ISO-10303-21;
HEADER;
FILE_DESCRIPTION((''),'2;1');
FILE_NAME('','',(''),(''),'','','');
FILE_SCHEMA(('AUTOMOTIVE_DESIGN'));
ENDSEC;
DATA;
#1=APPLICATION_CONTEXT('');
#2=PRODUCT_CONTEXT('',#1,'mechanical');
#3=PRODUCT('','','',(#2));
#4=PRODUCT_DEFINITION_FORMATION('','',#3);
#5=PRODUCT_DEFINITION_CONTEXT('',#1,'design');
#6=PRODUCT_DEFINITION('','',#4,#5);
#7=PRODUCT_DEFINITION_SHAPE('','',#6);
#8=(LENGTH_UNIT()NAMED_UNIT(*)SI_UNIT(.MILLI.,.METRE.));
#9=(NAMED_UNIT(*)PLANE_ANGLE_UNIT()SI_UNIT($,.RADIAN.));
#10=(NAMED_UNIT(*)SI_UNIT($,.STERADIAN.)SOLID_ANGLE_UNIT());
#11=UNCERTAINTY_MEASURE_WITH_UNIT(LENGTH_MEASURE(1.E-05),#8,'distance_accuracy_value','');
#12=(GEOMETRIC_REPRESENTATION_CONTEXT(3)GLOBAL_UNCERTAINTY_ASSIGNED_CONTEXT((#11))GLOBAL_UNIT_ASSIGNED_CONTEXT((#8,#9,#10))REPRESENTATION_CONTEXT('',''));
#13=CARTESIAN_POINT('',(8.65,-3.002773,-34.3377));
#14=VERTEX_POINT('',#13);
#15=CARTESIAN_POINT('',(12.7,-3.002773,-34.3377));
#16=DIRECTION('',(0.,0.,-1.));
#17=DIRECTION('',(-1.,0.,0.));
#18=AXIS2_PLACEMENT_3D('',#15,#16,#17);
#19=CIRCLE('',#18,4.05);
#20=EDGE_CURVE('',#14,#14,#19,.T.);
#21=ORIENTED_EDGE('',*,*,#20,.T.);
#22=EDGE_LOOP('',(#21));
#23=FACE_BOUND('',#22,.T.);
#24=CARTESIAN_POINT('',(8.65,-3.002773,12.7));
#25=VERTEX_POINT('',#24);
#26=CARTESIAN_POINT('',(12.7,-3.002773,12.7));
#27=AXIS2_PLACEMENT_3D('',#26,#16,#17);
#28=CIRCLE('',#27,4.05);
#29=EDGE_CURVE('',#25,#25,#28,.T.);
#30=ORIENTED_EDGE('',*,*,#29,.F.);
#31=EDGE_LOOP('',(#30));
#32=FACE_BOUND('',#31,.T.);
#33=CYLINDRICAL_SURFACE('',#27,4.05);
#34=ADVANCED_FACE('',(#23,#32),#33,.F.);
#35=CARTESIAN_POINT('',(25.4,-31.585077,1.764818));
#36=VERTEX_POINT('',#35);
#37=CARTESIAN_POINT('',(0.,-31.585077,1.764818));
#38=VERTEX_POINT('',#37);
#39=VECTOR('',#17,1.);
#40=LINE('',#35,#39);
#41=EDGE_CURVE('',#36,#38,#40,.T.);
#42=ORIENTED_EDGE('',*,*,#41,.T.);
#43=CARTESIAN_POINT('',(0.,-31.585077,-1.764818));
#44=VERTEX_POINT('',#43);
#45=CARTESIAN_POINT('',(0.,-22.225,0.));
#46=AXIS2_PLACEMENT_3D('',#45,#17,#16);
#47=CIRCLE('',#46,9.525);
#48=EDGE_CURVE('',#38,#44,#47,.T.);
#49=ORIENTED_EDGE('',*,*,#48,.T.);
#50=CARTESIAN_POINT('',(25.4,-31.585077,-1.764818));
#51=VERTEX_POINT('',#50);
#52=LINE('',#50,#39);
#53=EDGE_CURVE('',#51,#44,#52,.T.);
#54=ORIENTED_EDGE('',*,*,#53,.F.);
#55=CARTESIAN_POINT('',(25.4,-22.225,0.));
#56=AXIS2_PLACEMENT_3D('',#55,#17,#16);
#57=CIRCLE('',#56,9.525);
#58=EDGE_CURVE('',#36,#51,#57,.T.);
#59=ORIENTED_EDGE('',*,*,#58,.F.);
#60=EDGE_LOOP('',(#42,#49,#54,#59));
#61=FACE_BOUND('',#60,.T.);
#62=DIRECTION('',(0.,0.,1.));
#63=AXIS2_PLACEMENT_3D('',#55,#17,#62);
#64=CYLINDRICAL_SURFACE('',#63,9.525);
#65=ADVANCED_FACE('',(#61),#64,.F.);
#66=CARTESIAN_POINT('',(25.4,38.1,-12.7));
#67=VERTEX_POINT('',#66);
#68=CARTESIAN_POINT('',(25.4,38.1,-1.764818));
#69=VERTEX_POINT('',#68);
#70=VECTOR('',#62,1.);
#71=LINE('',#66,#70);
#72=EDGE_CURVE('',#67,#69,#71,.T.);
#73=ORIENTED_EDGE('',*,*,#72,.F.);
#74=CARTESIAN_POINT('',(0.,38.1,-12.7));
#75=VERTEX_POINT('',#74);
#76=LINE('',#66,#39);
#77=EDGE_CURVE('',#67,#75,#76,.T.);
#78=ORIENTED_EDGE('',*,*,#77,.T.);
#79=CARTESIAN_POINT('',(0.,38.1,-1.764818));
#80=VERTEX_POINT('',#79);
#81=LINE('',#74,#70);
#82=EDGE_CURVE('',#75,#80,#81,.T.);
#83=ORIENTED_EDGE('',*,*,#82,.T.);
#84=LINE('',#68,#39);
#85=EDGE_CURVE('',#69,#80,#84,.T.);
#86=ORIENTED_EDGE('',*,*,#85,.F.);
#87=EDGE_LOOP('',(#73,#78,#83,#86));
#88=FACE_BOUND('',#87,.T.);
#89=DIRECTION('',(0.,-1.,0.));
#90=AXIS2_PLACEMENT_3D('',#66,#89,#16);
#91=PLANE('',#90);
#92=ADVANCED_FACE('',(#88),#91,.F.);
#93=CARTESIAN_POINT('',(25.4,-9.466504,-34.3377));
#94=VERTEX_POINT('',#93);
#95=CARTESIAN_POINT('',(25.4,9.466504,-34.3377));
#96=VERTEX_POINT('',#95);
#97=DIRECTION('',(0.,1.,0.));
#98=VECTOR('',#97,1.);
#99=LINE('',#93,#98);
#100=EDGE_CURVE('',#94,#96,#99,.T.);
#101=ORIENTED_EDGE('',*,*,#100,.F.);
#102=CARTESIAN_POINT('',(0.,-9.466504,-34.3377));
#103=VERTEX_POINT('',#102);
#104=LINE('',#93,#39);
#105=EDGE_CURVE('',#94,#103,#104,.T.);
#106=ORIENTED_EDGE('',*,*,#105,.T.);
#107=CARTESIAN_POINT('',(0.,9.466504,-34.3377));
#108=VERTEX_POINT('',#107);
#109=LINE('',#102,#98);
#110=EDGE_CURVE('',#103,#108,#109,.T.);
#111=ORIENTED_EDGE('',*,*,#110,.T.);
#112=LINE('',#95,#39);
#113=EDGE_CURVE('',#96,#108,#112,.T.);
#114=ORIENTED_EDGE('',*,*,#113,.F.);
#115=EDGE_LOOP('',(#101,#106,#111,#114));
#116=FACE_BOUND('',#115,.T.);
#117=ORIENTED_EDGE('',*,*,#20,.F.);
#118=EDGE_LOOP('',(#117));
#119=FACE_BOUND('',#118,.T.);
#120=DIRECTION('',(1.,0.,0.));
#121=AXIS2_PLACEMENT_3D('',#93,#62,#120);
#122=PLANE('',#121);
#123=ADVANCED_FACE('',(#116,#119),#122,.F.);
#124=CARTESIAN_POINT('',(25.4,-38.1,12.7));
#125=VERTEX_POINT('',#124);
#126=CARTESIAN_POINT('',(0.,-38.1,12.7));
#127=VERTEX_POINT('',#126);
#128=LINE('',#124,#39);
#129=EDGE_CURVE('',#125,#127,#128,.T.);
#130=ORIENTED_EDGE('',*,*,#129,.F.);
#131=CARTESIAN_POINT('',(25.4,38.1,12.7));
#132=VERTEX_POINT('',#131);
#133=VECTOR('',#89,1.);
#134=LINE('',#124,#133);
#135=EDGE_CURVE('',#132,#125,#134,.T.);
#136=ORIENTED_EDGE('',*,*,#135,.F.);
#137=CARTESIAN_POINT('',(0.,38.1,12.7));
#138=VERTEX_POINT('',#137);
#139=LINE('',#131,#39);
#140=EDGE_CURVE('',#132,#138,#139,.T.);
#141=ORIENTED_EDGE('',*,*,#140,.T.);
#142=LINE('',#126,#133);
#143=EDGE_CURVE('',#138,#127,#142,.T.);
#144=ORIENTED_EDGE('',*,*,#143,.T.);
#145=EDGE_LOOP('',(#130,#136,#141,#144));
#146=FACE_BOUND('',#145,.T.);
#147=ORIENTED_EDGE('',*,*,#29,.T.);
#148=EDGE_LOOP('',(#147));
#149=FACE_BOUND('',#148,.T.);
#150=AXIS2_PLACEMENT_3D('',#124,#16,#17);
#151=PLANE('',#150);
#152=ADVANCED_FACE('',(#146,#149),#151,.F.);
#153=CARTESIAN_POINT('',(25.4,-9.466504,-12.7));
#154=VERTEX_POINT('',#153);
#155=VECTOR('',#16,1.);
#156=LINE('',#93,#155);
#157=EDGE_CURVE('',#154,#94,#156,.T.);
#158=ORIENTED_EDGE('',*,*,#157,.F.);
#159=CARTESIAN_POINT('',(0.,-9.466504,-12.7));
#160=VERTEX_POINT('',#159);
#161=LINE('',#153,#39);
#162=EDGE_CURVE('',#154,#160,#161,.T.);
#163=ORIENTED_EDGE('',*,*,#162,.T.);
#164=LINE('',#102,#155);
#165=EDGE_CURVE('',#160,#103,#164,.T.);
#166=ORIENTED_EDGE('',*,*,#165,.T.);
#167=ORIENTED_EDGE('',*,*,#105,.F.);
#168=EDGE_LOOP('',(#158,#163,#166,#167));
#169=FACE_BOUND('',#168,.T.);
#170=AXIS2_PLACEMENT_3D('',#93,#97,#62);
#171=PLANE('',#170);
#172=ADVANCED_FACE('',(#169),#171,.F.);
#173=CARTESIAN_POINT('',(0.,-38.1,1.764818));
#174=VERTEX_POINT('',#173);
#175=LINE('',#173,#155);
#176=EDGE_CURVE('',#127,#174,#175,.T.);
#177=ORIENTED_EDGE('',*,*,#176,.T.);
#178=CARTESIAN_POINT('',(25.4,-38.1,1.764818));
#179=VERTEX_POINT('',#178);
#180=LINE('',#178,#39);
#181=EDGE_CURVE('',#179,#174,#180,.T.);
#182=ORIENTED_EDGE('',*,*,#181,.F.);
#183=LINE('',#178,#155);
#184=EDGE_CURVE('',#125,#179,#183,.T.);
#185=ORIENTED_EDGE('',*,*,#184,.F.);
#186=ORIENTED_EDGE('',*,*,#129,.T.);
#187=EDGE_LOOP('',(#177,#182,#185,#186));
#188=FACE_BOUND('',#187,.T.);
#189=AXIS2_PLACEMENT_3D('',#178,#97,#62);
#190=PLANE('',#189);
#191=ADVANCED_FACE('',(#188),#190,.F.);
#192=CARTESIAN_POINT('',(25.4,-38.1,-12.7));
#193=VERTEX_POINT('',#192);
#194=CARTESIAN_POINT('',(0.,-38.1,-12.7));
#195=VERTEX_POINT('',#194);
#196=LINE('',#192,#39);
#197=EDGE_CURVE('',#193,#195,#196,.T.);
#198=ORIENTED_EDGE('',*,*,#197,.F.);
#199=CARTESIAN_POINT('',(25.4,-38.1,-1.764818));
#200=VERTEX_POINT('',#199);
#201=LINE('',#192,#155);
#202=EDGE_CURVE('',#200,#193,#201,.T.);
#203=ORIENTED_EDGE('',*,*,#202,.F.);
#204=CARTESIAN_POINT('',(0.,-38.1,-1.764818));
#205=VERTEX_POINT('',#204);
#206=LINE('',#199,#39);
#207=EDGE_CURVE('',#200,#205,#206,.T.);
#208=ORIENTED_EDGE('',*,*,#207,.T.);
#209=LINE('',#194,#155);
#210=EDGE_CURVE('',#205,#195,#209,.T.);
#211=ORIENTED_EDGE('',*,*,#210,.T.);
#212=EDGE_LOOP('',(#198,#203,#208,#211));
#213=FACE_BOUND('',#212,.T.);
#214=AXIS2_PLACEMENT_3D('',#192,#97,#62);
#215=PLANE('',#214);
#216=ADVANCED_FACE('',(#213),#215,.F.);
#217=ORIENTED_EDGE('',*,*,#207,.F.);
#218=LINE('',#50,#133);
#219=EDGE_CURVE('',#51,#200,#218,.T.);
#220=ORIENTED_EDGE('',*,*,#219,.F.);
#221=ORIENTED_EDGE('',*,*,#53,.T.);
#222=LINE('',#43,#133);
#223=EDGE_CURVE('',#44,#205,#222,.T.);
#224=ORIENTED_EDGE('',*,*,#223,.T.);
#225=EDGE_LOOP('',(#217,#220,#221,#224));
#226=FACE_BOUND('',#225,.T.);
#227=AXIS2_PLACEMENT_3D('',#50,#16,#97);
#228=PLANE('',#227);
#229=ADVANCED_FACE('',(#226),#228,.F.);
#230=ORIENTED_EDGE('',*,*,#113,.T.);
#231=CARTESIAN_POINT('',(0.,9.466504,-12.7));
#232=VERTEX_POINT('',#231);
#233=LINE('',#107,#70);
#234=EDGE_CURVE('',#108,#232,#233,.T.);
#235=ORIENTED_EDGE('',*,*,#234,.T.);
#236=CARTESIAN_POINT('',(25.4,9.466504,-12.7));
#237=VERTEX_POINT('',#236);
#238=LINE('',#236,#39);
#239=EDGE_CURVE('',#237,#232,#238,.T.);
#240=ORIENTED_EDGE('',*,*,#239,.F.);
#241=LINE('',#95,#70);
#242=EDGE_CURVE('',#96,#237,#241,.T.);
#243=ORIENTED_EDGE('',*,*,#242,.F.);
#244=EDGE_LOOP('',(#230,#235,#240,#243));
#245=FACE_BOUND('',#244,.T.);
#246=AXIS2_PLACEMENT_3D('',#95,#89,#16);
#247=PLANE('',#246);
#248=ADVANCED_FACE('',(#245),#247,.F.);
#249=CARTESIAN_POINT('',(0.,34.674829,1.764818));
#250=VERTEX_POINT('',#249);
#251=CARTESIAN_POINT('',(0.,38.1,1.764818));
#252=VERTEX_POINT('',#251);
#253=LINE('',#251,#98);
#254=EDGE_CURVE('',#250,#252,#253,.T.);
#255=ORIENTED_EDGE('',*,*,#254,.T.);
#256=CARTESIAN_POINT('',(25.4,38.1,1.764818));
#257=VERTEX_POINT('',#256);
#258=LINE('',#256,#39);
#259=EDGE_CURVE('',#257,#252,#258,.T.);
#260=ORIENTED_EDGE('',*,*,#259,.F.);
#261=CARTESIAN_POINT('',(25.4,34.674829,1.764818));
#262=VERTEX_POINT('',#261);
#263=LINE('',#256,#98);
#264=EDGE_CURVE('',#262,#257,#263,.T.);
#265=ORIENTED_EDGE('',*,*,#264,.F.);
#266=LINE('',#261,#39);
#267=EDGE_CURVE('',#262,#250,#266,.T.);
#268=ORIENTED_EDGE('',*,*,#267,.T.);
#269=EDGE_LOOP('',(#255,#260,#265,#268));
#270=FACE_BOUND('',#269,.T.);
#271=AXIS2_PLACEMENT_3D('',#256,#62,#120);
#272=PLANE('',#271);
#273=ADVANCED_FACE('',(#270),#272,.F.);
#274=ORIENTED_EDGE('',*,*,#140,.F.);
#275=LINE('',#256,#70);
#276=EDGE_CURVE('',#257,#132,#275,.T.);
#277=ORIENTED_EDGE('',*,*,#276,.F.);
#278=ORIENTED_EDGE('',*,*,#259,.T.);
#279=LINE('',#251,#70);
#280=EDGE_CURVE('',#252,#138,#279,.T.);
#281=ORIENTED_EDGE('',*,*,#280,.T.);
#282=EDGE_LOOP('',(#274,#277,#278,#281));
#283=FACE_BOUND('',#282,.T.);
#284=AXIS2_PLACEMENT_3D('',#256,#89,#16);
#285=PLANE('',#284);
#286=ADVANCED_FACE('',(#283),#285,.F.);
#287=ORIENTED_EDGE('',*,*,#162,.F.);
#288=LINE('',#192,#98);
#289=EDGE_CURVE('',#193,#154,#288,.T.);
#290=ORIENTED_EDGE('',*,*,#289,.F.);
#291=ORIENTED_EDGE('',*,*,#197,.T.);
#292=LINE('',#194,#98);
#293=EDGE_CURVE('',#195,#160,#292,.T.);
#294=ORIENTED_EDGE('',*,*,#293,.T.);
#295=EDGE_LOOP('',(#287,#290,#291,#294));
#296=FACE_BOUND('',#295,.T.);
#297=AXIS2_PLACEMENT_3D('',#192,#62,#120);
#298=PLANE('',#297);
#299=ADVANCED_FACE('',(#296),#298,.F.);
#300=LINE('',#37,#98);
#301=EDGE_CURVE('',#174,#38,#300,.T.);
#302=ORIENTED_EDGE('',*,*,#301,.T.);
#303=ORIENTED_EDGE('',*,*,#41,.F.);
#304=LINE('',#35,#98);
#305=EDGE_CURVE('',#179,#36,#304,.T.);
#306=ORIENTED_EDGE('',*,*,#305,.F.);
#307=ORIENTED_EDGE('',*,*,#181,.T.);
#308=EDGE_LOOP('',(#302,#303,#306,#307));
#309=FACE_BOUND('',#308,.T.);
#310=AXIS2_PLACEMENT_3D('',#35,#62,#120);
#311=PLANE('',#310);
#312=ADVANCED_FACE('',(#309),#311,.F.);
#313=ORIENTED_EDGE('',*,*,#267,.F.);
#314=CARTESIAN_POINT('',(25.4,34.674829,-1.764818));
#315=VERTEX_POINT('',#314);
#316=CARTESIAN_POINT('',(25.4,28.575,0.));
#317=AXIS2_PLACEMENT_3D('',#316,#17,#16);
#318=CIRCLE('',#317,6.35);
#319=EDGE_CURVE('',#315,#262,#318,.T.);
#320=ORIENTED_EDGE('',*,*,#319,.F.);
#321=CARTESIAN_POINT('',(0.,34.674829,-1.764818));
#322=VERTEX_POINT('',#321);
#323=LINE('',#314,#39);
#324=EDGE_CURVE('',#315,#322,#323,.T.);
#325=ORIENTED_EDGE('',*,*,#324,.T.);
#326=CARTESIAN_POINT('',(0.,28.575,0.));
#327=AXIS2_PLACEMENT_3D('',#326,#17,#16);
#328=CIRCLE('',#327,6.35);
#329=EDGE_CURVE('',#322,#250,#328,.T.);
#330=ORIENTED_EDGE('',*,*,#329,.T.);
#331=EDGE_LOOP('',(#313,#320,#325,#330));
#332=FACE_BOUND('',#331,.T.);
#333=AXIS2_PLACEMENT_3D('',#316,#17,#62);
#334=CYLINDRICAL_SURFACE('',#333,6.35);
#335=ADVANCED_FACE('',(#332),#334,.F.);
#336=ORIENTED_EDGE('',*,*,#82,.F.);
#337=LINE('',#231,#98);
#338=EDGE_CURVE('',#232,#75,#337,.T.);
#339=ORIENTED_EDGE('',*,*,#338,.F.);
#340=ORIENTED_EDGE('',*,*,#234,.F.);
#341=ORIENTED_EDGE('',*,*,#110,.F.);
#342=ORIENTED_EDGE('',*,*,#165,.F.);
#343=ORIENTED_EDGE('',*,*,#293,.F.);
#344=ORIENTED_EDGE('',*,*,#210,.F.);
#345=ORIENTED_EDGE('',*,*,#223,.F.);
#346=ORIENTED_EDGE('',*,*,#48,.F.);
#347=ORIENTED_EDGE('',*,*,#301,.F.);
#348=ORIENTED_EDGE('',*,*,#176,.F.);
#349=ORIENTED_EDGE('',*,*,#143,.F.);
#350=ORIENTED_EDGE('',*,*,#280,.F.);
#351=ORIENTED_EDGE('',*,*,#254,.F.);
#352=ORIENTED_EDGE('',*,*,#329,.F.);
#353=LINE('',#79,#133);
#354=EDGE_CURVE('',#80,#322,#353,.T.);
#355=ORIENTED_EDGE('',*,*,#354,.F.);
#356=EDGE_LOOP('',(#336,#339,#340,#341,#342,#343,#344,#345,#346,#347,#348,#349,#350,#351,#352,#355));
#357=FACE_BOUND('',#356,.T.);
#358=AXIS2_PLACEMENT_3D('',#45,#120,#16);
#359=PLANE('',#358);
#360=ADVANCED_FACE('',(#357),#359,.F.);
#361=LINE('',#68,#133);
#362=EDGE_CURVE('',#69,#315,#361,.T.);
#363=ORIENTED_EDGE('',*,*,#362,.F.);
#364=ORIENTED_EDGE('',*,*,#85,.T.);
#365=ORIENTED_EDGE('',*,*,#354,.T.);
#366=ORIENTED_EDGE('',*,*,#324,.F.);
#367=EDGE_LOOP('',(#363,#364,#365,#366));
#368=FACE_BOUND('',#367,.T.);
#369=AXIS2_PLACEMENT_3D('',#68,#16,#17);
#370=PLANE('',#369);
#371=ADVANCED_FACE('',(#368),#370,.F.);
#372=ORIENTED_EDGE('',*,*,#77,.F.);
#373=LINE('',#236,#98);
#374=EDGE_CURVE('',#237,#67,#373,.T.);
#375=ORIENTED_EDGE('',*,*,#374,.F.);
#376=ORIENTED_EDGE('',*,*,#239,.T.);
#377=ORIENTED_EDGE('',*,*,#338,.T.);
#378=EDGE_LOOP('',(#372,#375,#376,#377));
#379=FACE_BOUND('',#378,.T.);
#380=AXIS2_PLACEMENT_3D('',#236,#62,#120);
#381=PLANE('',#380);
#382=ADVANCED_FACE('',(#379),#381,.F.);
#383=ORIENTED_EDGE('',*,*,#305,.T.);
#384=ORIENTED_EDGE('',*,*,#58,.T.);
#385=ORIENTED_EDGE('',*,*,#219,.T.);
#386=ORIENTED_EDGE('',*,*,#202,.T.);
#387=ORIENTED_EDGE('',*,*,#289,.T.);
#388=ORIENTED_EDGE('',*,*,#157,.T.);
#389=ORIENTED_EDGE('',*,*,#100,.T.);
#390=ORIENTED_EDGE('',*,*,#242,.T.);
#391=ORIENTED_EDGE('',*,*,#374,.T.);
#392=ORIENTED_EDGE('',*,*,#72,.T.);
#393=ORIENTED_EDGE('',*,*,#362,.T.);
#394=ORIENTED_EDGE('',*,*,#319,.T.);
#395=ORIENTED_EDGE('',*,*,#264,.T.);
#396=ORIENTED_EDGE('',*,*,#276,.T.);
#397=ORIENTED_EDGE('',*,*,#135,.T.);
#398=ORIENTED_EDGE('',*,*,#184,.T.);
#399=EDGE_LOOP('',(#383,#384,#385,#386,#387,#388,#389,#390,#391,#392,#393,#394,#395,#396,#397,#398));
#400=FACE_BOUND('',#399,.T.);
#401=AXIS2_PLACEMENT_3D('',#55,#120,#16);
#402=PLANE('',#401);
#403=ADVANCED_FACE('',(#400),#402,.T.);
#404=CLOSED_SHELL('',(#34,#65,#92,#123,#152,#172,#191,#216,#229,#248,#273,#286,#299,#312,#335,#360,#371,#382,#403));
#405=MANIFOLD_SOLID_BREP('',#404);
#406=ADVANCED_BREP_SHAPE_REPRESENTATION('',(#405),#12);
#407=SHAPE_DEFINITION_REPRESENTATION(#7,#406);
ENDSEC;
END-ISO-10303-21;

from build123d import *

# Parameters (mm, degrees)
BOSS_EXTRUDE1_DEPTH = 25.4
SKETCH3_R           = 4.05
CUT_EXTRUDE1_DEPTH  = 48.0377


with BuildPart() as part:
    # Sketch1 → Boss-Extrude1 (new body)
    with BuildSketch(Plane(origin=(0, 0, 0), x_dir=(0, 0, -1), z_dir=(1, 0, 0))):
        with BuildLine():
            Line((-1.764817843, 38.1), (-1.764817843, 34.67482934))
            ThreePointArc((-1.764817843, 34.67482934), (0, 22.225), (1.764817843, 34.67482934))
            Line((1.764817843, 34.67482934), (1.764817843, 38.1))
            Line((1.764817843, 38.1), (12.7, 38.1))
            Line((12.7, 38.1), (12.7, 9.46650416))
            Line((12.7, 9.46650416), (34.3377, 9.46650416))
            Line((34.3377, 9.46650416), (34.3377, -9.46650416))
            Line((34.3377, -9.46650416), (12.7, -9.46650416))
            Line((12.7, -9.46650416), (12.7, -38.1))
            Line((12.7, -38.1), (1.764817843, -38.1))
            Line((1.764817843, -38.1), (1.764817843, -31.585077082))
            ThreePointArc((1.764817843, -31.585077082), (0, -12.7), (-1.764817843, -31.585077082))
            Line((-1.764817843, -31.585077082), (-1.764817843, -38.1))
            Line((-1.764817843, -38.1), (-12.7, -38.1))
            Line((-12.7, -38.1), (-12.7, 38.1))
            Line((-12.7, 38.1), (-1.764817843, 38.1))
        make_face()
    extrude(amount=BOSS_EXTRUDE1_DEPTH)

    # Sketch3 → Cut-Extrude1 (cut, through all)
    with BuildSketch(Plane(origin=(0, 0, -34.3377), x_dir=(-1, 0, 0), z_dir=(0, 0, -1))):
        with Locations((-12.7, -3.002772529)):
            Circle(SKETCH3_R)
    extrude(amount=-CUT_EXTRUDE1_DEPTH, mode=Mode.SUBTRACT)


solid = part.part
